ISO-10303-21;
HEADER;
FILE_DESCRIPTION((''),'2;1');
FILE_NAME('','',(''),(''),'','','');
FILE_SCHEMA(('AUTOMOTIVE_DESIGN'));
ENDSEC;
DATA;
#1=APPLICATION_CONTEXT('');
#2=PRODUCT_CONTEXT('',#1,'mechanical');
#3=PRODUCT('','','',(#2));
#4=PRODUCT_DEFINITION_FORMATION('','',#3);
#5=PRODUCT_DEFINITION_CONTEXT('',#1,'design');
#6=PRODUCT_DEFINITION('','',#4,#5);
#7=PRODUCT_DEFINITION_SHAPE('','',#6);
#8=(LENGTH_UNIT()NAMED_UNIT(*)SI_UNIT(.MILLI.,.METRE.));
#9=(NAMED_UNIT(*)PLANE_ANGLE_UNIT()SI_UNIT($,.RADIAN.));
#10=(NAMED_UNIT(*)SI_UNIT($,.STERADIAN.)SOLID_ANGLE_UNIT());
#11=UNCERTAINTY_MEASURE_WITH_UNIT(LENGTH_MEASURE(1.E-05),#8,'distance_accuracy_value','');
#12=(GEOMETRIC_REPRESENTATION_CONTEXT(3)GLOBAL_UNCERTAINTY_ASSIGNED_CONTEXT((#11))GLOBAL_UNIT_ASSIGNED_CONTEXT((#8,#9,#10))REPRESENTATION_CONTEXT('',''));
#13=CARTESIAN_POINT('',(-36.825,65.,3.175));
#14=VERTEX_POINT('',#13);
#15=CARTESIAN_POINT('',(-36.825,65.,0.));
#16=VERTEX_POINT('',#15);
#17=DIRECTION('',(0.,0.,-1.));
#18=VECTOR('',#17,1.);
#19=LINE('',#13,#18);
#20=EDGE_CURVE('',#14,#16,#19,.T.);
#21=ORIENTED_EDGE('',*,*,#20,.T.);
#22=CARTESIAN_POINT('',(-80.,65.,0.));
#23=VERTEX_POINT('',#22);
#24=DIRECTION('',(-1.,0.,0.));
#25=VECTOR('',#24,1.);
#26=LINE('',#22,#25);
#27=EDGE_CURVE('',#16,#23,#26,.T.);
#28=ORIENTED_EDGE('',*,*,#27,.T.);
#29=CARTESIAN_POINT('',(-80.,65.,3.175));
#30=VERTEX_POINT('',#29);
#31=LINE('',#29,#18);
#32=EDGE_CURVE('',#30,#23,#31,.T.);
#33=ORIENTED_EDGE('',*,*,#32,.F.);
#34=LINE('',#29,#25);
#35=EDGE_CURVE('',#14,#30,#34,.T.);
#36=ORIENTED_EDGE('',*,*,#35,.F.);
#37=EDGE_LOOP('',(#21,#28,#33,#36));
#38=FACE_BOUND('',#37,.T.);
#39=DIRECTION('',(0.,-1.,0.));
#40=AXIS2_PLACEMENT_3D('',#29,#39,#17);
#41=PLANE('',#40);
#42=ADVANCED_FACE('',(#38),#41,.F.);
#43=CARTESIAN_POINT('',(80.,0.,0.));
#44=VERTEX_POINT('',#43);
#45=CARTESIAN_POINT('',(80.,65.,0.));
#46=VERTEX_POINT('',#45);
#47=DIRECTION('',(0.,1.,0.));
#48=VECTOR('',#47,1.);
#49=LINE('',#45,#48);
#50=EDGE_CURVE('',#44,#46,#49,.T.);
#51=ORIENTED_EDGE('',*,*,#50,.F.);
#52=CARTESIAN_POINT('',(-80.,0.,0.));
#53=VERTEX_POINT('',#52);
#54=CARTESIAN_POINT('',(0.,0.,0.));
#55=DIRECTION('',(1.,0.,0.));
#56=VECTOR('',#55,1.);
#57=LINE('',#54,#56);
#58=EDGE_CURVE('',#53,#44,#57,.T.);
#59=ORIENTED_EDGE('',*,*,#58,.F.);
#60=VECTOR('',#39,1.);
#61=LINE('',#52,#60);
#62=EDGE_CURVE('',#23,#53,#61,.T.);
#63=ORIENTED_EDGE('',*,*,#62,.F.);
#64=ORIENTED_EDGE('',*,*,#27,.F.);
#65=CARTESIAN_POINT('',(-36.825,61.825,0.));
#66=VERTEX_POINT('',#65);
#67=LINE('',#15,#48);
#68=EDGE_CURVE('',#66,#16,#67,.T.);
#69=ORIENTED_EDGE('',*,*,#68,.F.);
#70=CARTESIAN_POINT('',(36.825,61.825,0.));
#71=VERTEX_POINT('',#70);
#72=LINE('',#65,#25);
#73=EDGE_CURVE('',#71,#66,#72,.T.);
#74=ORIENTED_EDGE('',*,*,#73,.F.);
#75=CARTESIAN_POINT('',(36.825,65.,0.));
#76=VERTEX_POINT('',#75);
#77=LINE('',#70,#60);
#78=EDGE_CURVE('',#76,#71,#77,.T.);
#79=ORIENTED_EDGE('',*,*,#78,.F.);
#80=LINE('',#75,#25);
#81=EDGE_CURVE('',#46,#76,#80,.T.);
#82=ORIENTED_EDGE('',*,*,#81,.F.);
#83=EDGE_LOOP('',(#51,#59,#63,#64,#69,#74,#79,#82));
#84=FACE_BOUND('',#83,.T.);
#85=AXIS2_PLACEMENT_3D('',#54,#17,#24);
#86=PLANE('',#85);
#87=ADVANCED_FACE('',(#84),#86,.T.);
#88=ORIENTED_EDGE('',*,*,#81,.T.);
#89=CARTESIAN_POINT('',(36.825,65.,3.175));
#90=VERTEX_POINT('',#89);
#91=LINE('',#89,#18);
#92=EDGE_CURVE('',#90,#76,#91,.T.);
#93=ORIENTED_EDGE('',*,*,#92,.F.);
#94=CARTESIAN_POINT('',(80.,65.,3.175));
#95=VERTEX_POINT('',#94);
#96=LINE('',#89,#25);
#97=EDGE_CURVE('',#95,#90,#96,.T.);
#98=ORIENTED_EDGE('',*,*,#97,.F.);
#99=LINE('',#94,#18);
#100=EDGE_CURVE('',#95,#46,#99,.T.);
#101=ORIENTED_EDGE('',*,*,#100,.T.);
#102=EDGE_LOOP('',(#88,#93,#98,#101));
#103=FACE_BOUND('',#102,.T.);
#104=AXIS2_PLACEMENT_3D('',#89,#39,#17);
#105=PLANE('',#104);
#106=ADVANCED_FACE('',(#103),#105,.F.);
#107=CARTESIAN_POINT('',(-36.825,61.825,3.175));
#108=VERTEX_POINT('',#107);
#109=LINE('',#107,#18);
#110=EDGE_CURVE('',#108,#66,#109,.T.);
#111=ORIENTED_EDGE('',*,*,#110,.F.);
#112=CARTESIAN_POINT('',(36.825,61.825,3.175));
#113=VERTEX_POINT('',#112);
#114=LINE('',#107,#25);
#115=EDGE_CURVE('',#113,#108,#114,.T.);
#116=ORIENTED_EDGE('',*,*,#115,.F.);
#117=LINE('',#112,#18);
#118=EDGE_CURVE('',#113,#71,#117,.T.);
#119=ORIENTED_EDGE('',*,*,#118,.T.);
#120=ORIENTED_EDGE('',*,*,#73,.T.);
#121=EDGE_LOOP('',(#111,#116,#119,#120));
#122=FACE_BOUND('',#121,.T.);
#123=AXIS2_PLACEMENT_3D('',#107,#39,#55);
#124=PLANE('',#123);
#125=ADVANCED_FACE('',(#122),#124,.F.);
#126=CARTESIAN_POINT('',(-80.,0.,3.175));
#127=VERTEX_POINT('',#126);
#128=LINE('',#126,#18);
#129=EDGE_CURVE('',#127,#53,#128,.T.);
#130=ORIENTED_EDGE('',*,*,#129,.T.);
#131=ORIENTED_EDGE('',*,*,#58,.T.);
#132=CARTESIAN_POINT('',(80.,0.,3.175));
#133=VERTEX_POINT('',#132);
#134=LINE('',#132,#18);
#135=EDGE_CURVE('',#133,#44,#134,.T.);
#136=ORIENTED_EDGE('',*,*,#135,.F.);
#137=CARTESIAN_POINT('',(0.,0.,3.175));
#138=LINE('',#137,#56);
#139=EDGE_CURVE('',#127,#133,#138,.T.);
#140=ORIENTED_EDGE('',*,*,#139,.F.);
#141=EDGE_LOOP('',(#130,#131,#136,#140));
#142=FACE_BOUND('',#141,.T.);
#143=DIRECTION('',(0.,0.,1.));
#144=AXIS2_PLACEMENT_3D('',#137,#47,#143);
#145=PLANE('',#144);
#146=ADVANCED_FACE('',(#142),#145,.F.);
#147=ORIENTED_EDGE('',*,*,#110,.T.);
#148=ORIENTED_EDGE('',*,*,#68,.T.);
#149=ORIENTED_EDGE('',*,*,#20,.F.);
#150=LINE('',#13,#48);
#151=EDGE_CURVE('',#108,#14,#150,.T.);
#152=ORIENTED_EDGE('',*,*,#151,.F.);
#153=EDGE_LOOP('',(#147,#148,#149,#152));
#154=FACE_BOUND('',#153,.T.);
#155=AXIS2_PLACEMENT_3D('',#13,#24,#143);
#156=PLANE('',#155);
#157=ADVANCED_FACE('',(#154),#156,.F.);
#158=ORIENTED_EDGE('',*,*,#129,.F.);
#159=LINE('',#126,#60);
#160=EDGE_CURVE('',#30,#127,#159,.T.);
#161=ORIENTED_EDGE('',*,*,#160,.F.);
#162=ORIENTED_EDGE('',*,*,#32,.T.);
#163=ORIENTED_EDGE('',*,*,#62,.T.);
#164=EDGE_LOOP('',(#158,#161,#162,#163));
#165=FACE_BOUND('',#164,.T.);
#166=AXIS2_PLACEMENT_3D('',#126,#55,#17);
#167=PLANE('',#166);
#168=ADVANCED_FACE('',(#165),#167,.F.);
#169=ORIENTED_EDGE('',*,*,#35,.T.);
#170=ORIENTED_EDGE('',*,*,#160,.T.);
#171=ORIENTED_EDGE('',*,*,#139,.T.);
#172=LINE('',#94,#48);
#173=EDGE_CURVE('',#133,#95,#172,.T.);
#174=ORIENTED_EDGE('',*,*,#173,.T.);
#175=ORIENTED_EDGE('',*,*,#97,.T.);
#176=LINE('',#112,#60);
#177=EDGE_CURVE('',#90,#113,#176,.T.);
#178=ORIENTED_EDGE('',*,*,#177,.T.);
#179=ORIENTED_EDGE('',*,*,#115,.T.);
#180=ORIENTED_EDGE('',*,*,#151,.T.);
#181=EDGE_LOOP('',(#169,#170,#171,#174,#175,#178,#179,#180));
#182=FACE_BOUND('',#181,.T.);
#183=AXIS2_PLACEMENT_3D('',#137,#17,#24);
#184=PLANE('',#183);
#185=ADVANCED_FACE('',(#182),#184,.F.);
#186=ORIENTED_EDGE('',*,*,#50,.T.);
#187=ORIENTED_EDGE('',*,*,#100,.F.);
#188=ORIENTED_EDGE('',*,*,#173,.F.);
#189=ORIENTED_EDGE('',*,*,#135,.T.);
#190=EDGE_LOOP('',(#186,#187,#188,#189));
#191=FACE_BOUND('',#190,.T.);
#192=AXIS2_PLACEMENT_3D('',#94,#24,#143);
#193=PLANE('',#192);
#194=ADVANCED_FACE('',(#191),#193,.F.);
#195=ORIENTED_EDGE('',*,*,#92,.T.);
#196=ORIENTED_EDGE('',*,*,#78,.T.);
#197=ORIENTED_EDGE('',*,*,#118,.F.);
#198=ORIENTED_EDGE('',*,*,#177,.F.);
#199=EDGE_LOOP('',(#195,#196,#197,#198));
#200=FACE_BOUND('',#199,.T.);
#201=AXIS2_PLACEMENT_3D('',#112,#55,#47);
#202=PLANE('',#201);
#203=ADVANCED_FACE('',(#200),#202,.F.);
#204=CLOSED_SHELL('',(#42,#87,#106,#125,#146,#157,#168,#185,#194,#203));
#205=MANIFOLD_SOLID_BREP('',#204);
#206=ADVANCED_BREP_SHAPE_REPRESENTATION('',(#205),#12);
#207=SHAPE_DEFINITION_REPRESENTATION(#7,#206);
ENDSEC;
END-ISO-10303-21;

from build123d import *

# Parameters (mm, degrees)
BOSS_EXTRUDE1_DEPTH = 3.175


with BuildPart() as part:
    # Sketch1 → Boss-Extrude1 (new body)
    with BuildSketch(Plane.XY):
        Polygon((0, 0), (80, 0), (80, 65), (36.825, 65), (36.825, 61.825), (-36.825, 61.825), (-36.825, 65), (-80, 65), (-80, 0), align=None)
    extrude(amount=BOSS_EXTRUDE1_DEPTH)


solid = part.part
